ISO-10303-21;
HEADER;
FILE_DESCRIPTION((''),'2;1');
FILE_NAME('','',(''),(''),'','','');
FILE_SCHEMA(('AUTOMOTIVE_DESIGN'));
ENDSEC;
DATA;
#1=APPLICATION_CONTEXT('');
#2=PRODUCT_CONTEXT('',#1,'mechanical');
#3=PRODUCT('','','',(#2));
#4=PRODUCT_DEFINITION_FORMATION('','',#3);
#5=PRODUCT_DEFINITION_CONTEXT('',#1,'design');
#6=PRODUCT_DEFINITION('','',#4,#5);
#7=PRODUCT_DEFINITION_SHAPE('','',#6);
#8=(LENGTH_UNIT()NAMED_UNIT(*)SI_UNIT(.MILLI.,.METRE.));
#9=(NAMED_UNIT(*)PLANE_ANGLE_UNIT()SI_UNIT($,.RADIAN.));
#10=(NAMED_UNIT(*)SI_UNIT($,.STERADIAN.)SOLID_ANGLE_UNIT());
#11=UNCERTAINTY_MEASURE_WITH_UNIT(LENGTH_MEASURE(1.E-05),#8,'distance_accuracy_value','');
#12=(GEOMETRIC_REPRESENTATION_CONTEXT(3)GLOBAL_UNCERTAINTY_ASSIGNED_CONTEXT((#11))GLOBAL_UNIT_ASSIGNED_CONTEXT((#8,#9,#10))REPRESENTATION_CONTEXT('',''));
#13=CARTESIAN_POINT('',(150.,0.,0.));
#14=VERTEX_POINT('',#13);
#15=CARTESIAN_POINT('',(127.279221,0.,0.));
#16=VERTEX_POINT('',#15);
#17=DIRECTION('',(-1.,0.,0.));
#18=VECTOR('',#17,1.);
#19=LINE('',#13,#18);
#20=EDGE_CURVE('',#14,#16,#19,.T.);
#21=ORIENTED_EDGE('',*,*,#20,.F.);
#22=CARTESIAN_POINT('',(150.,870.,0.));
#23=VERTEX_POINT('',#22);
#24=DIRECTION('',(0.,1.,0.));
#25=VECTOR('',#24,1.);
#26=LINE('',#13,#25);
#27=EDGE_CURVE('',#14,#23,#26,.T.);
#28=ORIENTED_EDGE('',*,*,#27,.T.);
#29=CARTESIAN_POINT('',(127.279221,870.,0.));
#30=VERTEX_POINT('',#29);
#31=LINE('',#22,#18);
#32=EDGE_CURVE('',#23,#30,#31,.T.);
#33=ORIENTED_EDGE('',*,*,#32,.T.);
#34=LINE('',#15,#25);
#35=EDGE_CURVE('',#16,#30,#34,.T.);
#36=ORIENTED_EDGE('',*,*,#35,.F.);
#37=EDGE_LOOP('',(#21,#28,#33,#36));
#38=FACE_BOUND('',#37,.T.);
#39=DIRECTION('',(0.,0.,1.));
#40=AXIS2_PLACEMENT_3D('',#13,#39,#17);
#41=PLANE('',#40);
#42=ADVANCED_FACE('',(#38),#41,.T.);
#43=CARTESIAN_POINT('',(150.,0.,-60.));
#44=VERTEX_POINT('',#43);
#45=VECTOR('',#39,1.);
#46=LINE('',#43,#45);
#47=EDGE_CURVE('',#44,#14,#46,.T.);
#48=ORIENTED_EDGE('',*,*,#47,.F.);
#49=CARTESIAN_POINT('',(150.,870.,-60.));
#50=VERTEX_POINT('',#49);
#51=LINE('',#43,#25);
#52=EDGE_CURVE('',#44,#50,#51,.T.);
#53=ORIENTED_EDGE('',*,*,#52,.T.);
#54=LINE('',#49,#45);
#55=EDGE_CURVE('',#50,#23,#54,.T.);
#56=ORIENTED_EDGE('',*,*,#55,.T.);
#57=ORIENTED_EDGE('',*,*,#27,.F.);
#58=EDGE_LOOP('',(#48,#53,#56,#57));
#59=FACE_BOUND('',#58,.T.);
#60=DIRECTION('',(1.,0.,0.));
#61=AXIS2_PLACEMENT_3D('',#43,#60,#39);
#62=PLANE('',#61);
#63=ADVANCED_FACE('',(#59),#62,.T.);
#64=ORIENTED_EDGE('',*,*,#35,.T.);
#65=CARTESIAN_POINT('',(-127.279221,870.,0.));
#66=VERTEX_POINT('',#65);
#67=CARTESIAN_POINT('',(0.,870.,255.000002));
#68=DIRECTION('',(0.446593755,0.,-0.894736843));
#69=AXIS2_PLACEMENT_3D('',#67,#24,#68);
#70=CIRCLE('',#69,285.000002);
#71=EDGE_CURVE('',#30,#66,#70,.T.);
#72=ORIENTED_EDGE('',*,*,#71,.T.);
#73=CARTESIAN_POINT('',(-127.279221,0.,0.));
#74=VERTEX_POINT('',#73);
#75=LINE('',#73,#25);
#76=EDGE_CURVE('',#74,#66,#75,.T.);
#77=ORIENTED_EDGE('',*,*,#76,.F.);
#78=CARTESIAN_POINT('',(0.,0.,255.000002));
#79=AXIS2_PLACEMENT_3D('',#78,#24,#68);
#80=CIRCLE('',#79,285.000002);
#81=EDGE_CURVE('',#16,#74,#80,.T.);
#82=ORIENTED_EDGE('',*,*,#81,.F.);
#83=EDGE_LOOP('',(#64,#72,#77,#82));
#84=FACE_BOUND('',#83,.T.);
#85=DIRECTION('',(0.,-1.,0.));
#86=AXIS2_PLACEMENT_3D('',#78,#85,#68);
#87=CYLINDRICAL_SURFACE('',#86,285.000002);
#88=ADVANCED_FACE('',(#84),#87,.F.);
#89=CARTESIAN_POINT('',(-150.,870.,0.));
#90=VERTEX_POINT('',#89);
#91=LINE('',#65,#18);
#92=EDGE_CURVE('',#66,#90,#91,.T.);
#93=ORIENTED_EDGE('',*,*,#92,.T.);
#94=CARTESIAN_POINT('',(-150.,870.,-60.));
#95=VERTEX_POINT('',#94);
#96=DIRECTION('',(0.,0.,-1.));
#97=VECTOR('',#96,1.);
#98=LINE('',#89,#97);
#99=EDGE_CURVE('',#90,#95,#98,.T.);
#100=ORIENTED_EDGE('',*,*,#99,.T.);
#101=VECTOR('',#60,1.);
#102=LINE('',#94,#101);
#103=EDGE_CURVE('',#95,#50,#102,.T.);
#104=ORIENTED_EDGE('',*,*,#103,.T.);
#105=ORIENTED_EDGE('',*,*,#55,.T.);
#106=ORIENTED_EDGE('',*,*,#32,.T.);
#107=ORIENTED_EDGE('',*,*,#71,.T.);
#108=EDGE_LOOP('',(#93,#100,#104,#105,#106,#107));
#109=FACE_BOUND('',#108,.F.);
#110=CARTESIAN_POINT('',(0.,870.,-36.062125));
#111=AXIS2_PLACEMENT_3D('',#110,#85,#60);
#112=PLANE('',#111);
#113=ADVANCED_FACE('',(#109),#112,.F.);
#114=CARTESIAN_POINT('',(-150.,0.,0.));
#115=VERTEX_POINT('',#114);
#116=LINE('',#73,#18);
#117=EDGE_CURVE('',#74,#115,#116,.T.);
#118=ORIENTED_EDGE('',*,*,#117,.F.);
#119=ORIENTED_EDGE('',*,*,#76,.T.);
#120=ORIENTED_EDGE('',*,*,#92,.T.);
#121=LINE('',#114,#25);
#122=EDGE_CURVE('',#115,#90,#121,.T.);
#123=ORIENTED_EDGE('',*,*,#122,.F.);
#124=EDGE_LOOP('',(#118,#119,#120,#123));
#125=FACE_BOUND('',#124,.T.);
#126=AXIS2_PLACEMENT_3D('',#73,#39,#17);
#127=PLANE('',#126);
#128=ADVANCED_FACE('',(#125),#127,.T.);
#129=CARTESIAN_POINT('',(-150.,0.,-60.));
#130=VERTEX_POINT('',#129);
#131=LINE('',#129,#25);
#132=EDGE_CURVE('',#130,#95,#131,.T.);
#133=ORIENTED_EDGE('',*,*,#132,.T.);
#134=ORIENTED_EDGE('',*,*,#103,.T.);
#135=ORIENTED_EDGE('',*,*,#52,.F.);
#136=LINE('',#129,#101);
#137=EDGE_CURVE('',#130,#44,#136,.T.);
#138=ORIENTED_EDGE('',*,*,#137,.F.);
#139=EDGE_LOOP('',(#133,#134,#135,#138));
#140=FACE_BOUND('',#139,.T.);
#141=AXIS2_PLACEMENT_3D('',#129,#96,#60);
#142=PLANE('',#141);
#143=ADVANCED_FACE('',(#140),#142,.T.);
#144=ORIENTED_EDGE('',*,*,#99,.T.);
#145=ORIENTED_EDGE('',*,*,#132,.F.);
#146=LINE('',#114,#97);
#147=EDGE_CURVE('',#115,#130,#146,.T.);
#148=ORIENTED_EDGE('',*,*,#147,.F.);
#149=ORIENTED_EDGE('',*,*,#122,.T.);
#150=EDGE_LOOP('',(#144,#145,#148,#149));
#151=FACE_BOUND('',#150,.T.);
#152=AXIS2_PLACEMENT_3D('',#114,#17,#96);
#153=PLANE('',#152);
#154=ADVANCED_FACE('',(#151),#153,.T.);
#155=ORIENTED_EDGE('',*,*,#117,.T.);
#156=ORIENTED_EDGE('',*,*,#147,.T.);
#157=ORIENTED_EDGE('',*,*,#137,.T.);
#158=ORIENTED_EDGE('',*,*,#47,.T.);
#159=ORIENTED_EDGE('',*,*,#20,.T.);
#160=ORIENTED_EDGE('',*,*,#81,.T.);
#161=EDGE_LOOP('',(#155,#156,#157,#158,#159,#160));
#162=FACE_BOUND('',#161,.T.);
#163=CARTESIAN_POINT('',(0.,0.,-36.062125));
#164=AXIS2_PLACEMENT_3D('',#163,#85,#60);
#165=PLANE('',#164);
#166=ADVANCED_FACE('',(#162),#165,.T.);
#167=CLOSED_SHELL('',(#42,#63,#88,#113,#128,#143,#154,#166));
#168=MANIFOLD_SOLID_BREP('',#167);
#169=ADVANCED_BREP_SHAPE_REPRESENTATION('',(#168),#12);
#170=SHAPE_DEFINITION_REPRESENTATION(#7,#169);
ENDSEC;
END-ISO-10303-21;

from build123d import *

# Parameters (mm, degrees)
F1_DEPTH = 870


with BuildPart() as f1:
    # F0 (on Front) → F1 (new body)
    with BuildSketch(Plane.XZ):
        with BuildLine():
            ThreePointArc((127.279221, 0), (0, -30), (-127.279221, 0))
            Line((-127.279221, 0), (-150, 0))
            Line((-150, 0), (-150, -60))
            Line((-150, -60), (150, -60))
            Line((150, -60), (150, 0))
            Line((150, 0), (127.279221, 0))
        make_face()
    extrude(amount=-F1_DEPTH)


solid = f1.part
